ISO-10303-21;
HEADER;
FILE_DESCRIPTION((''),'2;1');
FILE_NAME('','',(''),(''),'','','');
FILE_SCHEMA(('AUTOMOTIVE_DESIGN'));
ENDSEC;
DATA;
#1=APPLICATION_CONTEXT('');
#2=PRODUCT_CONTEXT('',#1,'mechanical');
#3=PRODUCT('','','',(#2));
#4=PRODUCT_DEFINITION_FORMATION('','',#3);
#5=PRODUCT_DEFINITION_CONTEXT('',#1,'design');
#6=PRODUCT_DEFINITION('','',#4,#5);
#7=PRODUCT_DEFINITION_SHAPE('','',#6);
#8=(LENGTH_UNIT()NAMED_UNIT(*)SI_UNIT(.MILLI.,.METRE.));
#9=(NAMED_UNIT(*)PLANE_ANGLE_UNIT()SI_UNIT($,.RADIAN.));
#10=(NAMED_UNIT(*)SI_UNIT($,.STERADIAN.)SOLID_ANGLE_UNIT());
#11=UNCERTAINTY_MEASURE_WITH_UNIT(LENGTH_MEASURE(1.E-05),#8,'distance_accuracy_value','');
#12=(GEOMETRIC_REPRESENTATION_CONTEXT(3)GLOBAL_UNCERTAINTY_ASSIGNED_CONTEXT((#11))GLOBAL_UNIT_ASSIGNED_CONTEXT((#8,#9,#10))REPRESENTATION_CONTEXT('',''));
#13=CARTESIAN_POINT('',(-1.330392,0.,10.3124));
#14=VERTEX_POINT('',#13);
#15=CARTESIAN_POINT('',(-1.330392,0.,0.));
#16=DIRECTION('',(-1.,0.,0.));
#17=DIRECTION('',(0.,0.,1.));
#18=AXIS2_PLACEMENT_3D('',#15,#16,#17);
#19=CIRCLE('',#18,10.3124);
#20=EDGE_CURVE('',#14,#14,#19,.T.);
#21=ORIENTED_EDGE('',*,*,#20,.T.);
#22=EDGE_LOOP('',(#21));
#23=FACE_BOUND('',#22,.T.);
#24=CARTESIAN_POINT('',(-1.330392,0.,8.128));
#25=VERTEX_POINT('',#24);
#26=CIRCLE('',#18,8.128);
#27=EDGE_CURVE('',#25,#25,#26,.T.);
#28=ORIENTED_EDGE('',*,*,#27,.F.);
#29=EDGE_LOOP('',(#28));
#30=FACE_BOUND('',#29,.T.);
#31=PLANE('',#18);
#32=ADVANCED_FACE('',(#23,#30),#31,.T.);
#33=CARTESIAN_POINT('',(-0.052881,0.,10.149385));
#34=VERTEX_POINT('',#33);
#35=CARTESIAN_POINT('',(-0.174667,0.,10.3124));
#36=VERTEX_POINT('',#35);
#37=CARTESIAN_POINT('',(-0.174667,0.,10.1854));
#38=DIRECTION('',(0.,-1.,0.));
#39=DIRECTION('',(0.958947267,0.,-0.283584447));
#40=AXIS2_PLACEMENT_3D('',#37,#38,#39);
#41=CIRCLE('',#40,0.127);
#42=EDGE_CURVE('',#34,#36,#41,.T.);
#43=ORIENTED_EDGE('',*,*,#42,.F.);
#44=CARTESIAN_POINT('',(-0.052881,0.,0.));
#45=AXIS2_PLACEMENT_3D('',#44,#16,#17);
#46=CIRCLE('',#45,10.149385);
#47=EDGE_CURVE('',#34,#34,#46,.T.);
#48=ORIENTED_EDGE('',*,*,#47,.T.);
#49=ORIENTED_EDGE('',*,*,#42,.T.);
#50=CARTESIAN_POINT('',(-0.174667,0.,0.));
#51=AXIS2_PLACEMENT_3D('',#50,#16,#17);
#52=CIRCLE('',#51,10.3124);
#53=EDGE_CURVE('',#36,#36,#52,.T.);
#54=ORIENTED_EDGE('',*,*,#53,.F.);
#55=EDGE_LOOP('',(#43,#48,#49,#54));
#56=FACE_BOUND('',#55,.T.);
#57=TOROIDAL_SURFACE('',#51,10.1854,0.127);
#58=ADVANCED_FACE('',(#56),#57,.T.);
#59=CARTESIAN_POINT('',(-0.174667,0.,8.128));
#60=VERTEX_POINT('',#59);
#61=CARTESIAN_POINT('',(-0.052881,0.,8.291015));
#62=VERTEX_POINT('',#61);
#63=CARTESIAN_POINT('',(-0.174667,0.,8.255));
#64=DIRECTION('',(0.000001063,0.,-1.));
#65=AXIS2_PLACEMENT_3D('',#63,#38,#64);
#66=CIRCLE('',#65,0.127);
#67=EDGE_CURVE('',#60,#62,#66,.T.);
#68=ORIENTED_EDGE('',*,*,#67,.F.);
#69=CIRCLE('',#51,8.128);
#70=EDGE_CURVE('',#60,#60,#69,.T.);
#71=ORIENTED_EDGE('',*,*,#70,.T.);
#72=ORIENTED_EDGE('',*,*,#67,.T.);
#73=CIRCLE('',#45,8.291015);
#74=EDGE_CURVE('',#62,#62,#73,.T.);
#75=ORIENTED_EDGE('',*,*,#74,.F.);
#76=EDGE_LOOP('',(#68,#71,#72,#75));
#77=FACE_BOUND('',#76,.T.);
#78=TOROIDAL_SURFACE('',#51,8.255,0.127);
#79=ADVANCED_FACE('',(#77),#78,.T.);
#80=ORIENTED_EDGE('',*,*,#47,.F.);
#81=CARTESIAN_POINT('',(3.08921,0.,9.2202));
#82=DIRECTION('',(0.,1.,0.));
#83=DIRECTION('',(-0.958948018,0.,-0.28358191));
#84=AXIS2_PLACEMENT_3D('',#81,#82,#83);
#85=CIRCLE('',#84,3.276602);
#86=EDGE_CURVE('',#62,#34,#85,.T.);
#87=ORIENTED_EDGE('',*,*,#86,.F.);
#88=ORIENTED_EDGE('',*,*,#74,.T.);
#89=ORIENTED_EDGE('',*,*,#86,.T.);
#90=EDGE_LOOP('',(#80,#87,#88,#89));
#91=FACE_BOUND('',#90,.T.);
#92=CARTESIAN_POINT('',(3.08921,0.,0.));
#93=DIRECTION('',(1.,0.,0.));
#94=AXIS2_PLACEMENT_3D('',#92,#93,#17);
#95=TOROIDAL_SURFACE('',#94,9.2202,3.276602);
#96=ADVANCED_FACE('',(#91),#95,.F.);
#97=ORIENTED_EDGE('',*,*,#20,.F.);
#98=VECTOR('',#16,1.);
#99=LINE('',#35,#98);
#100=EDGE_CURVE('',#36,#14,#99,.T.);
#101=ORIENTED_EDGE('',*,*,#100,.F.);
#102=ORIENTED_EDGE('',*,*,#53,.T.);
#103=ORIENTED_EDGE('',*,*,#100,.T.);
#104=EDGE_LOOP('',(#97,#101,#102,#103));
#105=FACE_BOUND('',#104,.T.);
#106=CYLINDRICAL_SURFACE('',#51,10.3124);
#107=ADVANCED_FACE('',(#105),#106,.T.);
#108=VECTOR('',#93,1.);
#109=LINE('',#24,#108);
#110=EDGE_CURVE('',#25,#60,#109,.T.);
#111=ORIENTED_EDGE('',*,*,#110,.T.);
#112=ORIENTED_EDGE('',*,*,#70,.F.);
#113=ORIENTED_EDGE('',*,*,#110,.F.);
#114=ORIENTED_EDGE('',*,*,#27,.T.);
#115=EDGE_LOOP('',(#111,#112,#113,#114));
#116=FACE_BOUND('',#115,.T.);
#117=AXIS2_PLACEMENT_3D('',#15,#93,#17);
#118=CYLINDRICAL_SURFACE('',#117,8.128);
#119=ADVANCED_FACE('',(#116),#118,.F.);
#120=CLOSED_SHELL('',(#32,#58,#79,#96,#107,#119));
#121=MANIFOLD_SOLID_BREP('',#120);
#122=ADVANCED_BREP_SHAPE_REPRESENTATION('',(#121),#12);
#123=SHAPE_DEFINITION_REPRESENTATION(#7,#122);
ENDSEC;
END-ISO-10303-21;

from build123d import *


with BuildPart() as f1:
    # F0 (on Front) → F1 (revolve)
    with BuildSketch(Plane.XZ):
        with BuildLine():
            ThreePointArc((-0.052881, 10.149385), (-0.072925, 10.26141), (-0.174667, 10.3124))
            Line((-0.174667, 10.3124), (-1.330392, 10.3124))
            Line((-1.330392, 10.3124), (-1.330392, 8.128))
            Line((-1.330392, 8.128), (-0.174667, 8.128))
            ThreePointArc((-0.174667, 8.128), (-0.072925, 8.17899), (-0.052881, 8.291015))
            ThreePointArc((-0.052881, 8.291015), (-0.187392, 9.2202), (-0.052881, 10.149385))
        make_face()
    revolve(axis=Axis((-3.079263, 0, 0), (-1, 0, 0)))


solid = f1.part
